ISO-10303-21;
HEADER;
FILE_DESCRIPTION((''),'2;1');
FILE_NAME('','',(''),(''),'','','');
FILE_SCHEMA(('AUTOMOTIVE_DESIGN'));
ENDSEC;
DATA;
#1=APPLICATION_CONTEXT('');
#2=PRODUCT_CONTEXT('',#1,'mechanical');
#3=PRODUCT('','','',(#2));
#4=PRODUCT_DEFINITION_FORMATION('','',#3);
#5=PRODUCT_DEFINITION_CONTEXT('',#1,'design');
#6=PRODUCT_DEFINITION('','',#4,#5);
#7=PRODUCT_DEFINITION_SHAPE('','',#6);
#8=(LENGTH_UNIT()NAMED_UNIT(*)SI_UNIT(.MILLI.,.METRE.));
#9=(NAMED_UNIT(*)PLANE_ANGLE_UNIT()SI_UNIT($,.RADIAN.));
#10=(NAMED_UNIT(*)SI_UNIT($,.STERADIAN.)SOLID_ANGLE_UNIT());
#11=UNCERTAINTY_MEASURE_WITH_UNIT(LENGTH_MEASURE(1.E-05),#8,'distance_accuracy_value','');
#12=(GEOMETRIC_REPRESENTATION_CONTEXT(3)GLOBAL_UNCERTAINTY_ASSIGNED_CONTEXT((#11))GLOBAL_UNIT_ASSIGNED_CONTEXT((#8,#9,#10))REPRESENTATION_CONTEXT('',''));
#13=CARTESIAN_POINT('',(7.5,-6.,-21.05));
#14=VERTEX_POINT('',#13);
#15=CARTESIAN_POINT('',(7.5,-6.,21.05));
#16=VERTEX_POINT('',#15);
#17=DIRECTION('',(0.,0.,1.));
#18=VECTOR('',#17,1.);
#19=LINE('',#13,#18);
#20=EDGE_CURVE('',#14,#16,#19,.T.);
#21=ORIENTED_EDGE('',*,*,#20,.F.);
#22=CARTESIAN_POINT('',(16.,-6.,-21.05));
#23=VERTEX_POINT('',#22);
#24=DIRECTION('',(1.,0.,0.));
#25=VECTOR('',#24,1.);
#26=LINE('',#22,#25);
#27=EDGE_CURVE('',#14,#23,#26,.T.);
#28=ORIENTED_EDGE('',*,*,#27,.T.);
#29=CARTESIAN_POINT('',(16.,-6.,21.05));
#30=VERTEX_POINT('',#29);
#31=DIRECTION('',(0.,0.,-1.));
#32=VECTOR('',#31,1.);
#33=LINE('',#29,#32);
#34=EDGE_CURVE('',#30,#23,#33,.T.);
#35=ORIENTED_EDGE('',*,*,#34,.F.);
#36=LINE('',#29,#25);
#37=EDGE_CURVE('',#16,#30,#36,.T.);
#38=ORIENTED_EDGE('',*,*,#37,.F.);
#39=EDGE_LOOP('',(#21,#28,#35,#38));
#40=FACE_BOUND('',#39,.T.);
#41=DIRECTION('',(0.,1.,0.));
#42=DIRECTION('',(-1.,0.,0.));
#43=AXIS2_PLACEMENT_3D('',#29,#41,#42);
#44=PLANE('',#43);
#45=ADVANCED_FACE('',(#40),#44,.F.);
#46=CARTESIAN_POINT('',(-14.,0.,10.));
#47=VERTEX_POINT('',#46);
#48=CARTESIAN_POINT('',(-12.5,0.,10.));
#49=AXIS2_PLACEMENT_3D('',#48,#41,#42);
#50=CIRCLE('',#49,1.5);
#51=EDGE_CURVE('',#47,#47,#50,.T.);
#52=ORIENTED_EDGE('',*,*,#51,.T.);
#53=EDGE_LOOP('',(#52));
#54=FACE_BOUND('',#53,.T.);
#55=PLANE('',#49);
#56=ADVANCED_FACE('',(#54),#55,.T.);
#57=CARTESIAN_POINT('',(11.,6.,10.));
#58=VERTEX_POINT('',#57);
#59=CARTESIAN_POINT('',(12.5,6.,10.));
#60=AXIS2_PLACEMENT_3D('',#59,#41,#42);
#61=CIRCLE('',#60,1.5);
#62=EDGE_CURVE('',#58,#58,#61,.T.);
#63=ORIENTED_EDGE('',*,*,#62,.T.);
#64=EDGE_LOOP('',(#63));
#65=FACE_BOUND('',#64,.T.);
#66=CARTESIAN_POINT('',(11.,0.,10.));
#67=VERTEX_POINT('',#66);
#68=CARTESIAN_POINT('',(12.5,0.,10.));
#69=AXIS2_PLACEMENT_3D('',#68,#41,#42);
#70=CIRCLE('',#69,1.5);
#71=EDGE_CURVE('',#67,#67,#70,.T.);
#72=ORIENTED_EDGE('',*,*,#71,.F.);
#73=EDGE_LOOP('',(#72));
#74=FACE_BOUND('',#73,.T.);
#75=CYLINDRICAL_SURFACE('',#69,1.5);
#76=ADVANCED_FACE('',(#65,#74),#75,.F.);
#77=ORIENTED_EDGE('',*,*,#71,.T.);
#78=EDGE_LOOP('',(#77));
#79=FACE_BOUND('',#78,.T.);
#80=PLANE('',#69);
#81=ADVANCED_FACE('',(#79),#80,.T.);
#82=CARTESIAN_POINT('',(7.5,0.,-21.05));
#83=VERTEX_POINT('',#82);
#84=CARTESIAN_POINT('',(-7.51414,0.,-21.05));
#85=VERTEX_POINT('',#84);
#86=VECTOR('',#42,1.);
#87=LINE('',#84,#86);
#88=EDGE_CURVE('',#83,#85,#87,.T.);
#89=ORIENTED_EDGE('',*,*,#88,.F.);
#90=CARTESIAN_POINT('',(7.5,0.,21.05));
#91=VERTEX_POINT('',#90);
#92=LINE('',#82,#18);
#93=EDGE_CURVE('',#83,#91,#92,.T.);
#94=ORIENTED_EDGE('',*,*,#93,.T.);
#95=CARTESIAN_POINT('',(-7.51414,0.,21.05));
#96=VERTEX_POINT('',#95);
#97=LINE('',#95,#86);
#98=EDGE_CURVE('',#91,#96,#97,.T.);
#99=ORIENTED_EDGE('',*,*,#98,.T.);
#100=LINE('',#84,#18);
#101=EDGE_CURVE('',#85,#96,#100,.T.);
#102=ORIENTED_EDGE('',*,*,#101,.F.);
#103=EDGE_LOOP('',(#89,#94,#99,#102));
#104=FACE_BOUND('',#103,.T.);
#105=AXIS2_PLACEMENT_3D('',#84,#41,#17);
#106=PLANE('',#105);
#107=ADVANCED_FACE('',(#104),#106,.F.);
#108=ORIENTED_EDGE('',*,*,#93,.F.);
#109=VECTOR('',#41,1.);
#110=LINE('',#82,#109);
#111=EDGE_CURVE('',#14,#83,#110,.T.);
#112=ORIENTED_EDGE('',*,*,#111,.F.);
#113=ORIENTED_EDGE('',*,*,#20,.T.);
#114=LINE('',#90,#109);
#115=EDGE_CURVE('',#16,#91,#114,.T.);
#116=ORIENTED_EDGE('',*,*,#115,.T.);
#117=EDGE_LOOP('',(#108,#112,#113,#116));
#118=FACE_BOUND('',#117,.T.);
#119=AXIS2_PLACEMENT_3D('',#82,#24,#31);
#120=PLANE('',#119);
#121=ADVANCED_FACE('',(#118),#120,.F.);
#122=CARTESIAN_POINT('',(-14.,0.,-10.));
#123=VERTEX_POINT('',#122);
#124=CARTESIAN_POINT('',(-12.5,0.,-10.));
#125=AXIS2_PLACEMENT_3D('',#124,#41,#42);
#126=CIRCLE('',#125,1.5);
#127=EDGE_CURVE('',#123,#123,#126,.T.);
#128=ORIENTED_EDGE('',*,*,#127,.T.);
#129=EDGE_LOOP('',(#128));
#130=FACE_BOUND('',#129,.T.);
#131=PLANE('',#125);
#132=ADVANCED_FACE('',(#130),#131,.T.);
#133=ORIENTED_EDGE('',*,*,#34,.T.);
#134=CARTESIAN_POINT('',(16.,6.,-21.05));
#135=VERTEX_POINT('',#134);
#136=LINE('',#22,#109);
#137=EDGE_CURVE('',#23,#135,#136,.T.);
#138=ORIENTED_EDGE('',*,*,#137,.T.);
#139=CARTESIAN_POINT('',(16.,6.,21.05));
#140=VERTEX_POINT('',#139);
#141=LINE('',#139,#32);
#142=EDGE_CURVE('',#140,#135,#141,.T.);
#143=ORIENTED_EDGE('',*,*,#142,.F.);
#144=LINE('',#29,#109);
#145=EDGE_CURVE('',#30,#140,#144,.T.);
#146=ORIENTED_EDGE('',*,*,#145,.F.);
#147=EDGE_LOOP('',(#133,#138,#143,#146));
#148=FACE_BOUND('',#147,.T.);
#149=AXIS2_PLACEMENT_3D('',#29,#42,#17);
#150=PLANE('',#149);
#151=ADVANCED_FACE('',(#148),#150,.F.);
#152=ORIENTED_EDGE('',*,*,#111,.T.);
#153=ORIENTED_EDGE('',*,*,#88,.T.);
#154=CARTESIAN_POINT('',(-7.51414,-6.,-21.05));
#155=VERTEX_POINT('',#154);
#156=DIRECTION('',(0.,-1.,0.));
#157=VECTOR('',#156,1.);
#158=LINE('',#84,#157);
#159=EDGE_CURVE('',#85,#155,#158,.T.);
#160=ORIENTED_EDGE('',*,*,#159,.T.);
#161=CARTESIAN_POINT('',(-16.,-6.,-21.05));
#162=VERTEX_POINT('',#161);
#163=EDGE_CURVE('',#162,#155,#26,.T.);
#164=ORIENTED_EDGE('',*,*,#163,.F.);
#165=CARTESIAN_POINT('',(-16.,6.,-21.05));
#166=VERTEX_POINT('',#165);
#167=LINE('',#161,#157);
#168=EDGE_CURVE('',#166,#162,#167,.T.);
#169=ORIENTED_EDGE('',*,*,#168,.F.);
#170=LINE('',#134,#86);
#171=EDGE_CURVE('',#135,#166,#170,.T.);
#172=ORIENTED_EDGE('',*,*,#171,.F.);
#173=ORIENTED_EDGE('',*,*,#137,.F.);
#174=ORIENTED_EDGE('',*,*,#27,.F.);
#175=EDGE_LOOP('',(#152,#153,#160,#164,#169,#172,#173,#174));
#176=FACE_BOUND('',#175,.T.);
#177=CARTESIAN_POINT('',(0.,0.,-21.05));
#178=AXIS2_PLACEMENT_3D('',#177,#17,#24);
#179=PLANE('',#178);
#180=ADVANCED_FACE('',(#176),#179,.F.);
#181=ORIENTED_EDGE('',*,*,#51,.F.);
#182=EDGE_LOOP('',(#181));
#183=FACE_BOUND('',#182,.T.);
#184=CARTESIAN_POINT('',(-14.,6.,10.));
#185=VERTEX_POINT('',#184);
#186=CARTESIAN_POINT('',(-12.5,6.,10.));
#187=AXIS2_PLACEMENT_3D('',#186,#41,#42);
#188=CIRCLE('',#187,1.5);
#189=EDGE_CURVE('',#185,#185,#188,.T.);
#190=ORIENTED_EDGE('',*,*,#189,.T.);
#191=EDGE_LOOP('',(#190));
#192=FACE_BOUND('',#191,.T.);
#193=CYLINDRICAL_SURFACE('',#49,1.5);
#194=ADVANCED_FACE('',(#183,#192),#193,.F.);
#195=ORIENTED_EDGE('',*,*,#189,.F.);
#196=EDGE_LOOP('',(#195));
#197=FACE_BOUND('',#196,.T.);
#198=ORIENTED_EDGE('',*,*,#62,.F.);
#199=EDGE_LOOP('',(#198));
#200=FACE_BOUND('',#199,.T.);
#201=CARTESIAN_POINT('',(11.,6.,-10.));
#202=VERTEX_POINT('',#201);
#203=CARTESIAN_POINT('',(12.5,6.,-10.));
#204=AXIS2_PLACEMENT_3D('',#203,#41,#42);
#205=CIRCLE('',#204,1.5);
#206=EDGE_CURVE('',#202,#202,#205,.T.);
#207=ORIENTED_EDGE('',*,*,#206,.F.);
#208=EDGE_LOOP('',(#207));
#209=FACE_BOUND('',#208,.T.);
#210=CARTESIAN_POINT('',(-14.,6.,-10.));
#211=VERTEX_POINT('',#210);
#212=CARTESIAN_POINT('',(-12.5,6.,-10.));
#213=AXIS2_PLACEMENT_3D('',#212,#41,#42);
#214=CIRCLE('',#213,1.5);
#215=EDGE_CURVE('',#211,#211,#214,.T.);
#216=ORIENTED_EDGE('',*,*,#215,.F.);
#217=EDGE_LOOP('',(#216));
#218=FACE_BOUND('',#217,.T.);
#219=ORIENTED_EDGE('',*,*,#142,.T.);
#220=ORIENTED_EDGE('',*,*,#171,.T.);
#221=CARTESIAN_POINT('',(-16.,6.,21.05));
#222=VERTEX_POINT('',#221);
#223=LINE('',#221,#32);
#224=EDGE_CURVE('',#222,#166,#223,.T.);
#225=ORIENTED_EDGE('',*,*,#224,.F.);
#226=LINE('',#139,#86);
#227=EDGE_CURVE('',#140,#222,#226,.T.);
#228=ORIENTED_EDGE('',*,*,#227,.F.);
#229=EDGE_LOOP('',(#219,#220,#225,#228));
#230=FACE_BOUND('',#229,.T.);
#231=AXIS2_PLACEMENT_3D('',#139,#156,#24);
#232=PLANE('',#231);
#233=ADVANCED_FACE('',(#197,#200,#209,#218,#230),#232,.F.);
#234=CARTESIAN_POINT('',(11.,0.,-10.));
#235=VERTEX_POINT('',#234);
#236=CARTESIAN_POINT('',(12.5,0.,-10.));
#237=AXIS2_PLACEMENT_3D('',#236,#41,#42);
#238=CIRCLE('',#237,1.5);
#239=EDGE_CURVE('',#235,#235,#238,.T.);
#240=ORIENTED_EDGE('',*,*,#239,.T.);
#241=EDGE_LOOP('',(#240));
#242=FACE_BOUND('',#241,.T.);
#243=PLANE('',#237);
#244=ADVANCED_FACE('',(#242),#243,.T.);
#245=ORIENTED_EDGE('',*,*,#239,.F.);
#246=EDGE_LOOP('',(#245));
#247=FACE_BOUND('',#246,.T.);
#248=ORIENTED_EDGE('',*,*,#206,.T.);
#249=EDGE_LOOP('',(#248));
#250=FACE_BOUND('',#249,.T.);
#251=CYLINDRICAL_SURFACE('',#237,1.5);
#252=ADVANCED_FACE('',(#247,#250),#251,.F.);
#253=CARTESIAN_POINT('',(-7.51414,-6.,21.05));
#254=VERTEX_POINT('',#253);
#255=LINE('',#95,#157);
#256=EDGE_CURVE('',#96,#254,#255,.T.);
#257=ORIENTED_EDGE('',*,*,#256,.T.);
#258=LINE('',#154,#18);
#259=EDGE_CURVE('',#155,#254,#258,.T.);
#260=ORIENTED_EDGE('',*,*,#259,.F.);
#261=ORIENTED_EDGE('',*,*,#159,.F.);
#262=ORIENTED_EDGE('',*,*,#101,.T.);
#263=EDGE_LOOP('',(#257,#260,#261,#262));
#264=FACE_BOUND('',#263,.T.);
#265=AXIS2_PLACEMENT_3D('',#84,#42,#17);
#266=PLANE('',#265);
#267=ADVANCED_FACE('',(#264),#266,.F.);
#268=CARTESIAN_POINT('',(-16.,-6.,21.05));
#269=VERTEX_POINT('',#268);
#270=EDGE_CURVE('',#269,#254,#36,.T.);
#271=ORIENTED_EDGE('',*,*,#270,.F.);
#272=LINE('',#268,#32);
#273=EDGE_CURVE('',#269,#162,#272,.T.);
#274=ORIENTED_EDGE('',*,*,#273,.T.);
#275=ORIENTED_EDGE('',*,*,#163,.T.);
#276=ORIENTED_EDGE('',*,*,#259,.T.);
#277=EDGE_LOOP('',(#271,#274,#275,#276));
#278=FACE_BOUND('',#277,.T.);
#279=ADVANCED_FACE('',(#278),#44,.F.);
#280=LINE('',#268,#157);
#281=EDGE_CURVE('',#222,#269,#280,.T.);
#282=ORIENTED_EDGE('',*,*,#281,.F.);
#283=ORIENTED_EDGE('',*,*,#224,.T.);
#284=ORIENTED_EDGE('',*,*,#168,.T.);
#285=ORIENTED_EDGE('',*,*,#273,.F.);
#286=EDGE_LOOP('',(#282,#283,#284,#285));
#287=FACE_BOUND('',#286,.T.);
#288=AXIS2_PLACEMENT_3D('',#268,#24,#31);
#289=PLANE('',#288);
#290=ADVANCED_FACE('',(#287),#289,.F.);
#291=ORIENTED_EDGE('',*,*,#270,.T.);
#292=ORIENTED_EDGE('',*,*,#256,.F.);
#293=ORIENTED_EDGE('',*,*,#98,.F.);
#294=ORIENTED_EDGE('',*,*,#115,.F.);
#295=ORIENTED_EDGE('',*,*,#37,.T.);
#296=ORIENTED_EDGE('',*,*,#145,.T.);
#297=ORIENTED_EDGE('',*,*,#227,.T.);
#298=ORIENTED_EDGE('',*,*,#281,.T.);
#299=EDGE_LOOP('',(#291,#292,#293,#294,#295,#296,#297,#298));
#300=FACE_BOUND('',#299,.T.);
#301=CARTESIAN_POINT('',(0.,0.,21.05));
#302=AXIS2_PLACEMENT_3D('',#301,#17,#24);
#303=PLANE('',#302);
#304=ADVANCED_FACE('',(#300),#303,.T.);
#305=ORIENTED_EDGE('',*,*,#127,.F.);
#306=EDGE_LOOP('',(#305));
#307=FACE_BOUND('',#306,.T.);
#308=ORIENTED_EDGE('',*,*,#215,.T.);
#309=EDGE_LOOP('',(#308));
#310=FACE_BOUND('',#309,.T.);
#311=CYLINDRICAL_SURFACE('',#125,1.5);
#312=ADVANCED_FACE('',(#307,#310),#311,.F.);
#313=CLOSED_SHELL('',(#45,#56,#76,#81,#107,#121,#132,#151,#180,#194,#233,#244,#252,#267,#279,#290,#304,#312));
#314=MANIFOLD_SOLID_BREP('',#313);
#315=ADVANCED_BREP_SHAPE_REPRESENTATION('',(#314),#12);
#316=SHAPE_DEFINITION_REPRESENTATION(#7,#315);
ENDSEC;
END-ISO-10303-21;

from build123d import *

# Parameters (mm, degrees)
SKETCH1_W           = 32
SKETCH1_H           = 12
BOSS_EXTRUDE1_DEPTH = 21.05
SKETCH2_W           = 15.014140453
SKETCH2_H           = 6
CUT_EXTRUDE1_DEPTH  = 46.435778853
SKETCH3_R           = 1.5
CUT_EXTRUDE2_DEPTH  = 6


with BuildPart() as part:
    # Sketch1 → Boss-Extrude1 (new, symmetric)
    with BuildSketch(Plane.XY):
        Rectangle(SKETCH1_W, SKETCH1_H)
    extrude(amount=BOSS_EXTRUDE1_DEPTH, both=True)

    # Sketch2 → Cut-Extrude1 (cut, through all)
    with BuildSketch(Plane.XY.offset(21.05)):
        with Locations((-0.007070226, -3)):
            Rectangle(SKETCH2_W, SKETCH2_H)
    extrude(amount=-CUT_EXTRUDE1_DEPTH, mode=Mode.SUBTRACT)

    # Sketch3 → Cut-Extrude2 (cut)
    with BuildSketch(Plane(origin=(0, 6, 0), x_dir=(1, 0, 0), z_dir=(0, 1, 0))):
        with Locations(Location((-12.5, 10, 0), (0, 0, 180))):
            Circle(SKETCH3_R)
        with Locations(Location((12.5, 10, 0), (0, 0, 180))):
            Circle(SKETCH3_R)
        with Locations(Location((12.5, -10, 0), (0, 0, 180))):
            Circle(SKETCH3_R)
        with Locations(Location((-12.5, -10, 0), (0, 0, 180))):
            Circle(SKETCH3_R)
    extrude(amount=-CUT_EXTRUDE2_DEPTH, mode=Mode.SUBTRACT)


solid = part.part
